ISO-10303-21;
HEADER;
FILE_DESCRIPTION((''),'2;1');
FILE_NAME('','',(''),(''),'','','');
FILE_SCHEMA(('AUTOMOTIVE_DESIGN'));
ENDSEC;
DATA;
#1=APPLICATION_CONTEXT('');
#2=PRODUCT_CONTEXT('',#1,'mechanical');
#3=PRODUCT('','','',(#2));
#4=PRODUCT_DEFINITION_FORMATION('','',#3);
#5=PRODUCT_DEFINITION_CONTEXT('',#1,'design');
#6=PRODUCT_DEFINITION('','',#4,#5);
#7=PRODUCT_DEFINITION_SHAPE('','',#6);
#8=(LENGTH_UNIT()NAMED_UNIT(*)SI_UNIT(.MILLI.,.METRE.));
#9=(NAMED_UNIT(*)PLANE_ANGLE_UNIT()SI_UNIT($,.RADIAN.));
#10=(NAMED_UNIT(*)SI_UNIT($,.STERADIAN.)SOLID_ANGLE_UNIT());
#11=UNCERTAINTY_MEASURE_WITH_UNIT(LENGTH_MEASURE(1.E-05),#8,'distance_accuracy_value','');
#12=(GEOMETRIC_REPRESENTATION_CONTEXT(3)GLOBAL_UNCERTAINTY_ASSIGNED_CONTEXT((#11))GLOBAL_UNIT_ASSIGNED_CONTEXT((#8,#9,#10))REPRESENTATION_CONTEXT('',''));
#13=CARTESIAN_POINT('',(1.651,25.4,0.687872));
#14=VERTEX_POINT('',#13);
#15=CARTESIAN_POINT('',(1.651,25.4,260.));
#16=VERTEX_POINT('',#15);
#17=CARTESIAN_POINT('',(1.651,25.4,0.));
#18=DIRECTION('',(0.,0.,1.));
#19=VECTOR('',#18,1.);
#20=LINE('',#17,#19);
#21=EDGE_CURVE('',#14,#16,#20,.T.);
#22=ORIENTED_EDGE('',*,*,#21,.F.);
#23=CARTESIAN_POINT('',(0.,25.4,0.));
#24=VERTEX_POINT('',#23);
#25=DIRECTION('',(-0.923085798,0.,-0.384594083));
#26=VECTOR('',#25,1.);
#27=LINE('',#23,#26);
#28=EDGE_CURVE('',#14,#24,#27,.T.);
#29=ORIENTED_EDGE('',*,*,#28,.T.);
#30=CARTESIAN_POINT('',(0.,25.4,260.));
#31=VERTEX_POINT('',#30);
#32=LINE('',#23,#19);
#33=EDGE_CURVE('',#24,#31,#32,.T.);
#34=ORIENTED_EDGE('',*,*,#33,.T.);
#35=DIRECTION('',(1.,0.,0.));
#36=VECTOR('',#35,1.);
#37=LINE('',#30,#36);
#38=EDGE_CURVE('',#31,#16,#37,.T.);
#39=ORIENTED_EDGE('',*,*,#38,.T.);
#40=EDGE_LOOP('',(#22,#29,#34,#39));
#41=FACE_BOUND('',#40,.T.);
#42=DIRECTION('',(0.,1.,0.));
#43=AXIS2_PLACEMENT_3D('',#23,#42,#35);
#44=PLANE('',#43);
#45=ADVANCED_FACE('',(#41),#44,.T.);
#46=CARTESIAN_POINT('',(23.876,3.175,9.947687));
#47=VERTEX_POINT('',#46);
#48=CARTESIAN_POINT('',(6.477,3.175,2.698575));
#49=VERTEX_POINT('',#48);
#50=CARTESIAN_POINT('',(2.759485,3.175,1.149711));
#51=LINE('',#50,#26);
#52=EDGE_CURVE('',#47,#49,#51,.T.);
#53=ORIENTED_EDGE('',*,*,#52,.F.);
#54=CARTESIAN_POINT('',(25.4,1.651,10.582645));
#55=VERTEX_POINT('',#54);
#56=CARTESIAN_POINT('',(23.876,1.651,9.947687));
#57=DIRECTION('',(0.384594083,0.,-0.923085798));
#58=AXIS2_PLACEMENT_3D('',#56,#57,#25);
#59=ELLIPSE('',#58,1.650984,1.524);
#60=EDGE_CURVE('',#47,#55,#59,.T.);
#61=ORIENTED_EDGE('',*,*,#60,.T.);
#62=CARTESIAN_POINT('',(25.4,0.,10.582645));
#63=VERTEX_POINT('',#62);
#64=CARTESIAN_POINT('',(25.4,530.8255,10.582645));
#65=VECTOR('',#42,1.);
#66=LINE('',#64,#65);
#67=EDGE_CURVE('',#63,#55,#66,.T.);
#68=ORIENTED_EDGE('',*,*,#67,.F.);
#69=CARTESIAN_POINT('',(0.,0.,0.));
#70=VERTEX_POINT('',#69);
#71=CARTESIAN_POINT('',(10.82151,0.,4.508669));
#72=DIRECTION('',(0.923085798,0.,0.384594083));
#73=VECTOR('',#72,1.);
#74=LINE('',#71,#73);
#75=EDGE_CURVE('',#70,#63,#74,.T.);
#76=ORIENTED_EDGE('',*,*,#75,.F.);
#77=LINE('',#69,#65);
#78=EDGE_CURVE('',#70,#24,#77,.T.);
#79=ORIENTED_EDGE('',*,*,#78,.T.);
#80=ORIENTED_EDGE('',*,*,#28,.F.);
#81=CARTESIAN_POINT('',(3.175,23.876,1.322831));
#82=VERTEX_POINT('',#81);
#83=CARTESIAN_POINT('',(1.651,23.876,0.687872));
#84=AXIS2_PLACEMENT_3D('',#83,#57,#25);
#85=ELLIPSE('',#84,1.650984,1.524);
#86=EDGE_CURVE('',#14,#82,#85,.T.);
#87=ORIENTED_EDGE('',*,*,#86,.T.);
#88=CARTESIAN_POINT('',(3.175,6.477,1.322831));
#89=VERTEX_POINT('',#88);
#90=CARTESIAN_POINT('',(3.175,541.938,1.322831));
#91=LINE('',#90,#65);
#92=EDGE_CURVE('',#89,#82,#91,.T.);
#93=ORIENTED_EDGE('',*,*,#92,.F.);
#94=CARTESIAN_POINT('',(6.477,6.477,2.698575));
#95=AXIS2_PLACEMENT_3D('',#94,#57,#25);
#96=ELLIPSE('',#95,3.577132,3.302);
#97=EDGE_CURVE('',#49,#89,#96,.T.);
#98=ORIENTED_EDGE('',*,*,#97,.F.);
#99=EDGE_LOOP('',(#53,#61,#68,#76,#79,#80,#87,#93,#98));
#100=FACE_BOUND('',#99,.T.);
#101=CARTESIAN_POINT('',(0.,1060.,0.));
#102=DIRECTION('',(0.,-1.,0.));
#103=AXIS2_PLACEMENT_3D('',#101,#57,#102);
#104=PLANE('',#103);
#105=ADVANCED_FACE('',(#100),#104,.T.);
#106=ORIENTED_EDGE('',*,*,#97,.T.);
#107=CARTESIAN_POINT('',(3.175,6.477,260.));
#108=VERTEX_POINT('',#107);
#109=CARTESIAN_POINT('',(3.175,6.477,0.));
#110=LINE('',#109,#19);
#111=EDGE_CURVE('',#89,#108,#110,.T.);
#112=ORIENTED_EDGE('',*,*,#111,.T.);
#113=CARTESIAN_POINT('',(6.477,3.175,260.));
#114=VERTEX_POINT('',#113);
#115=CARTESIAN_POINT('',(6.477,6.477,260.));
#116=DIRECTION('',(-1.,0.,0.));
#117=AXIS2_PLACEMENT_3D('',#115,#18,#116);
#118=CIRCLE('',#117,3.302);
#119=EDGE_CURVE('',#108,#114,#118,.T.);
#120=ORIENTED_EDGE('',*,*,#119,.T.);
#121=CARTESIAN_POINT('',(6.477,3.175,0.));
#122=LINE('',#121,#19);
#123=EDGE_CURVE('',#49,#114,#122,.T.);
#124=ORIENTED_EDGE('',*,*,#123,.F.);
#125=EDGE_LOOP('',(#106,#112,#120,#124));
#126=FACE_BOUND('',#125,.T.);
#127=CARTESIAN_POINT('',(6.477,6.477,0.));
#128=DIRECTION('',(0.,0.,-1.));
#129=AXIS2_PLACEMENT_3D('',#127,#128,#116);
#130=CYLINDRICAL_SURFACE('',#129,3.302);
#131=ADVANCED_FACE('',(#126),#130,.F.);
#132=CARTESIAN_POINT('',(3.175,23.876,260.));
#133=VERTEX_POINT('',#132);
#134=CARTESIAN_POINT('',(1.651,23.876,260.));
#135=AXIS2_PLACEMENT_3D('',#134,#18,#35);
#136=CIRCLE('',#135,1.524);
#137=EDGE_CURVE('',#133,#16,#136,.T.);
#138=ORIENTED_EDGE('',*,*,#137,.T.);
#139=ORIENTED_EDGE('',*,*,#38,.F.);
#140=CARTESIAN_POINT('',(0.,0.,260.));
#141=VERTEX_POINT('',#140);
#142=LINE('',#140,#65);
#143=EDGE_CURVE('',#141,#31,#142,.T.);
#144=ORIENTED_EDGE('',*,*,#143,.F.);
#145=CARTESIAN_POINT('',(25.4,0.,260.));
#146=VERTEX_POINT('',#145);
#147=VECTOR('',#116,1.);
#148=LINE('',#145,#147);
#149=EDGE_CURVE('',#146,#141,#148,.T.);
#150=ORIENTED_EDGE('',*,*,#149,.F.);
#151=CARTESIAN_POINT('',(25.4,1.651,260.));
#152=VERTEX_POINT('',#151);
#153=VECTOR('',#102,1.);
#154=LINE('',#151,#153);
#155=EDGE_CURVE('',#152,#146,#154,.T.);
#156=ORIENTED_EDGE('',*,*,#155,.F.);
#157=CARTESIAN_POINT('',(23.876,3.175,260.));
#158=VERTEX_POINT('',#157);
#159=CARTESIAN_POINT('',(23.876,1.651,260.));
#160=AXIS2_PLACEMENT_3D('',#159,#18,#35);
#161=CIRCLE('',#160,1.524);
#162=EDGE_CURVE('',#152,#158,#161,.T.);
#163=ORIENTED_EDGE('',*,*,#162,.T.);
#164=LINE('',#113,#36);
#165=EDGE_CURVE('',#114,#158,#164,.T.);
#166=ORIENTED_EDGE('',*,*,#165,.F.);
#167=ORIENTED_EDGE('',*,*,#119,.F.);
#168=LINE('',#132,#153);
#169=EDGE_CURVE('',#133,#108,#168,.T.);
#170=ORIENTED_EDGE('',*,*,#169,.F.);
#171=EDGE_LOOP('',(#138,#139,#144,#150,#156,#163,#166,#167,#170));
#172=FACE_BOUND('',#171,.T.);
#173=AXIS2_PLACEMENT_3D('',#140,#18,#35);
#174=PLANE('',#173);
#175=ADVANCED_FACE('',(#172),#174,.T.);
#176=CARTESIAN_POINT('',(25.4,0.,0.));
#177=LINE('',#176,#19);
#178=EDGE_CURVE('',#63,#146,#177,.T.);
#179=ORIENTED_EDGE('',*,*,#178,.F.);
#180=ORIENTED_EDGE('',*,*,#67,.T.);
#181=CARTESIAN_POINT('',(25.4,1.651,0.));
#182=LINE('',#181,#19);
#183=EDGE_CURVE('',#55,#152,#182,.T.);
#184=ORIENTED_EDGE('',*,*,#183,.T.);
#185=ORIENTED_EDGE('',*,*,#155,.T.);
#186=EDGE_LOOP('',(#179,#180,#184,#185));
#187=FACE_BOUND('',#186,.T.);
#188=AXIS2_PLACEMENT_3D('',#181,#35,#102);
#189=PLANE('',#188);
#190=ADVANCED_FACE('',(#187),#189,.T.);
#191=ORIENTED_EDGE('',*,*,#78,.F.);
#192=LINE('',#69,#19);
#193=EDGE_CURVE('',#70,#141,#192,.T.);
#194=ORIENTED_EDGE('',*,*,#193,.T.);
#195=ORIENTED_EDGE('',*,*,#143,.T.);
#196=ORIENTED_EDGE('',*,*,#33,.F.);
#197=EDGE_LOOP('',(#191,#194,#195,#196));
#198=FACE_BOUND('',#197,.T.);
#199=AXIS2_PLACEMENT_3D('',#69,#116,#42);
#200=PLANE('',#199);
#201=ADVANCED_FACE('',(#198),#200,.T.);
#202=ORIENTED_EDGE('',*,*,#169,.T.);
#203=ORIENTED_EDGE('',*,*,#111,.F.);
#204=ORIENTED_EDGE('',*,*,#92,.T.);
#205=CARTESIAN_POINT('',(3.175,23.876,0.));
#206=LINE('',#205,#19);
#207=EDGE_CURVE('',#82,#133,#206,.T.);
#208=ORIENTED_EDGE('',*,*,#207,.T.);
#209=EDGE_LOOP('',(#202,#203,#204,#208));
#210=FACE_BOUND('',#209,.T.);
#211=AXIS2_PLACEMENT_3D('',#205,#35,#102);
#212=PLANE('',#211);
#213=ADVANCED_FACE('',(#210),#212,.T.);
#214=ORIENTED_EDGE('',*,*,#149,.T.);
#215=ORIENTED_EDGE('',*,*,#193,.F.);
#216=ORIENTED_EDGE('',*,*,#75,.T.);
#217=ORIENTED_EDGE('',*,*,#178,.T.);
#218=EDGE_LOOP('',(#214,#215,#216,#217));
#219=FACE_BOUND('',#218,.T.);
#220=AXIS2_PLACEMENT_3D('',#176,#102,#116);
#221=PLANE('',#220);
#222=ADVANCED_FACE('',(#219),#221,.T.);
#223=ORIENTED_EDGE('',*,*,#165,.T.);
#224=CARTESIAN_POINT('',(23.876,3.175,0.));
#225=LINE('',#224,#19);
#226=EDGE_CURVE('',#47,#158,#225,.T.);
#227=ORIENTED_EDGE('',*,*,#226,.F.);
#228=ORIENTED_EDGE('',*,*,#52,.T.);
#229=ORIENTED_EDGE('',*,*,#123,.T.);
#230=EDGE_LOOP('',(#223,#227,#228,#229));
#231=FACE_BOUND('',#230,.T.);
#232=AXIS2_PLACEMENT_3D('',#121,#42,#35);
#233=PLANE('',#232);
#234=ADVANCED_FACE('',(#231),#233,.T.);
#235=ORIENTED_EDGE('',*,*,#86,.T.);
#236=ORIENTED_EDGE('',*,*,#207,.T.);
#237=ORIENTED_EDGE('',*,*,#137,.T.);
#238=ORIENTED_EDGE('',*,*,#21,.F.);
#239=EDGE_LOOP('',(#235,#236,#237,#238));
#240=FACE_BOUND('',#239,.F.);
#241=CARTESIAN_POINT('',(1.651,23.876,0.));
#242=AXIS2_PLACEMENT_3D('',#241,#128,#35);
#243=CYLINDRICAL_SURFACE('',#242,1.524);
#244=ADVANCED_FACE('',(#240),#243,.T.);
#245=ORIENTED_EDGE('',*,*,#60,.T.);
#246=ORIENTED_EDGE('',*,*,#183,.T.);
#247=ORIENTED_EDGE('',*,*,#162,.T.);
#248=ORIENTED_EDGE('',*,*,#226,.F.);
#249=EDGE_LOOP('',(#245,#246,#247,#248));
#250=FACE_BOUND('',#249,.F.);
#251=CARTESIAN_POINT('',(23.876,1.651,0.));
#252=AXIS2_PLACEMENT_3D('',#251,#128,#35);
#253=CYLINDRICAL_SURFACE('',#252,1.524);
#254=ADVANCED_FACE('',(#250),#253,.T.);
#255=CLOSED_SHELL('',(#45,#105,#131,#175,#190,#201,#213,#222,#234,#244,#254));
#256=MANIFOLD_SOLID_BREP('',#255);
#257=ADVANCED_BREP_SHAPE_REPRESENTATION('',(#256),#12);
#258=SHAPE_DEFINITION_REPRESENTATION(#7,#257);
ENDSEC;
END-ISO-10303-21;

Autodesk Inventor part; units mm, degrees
ref_plane "Start Plane" through (0, 0, 0) normal (0, 0, 1) x (1, 0, 0)
ref_plane "End Plane" through (0, 0, 260) normal (0, 0, 1) x (1, 0, 0)
sketch "Sketch" plane through (0, 0, 0) normal (0, 0, 1) x (1, 0, 0)
  line L0 (25.4, 0) -> (0, 0)
  line L1 (0, 0) -> (0, 25.4)
  line L2 (0, 25.4) -> (1.651, 25.4)
  line L3 (3.175, 23.876) -> (3.175, 6.477)
  line L4 (6.477, 3.175) -> (23.876, 3.175)
  line L5 (25.4, 1.651) -> (25.4, 0)
  line L6 (0, -11.0414) -> (0, 31.5385) construction
  line L7 (-11.0414, 0) -> (31.5385, 0) construction
  arc A0 (3.175, 6.477) -> (6.477, 3.175) centre (6.477, 6.477) ccw
  arc A1 (3.175, 23.876) -> (1.651, 25.4) centre (1.651, 23.876) ccw
  arc A2 (25.4, 1.651) -> (23.876, 3.175) centre (23.876, 1.651) ccw
  line L8 (0, 40.0545) -> (0, -19.5574) construction
  line L9 (-19.5574, 0) -> (40.0545, 0) construction
  point P0 (3.175, 25.4)
  point P1 (3.175, 3.175)
  point P2 (25.4, 3.175)
  dimension "d0" = 25.4
  dimension "d1" = 25.4
  dimension "d2" = 3.175
  dimension "d3" = 3.175
  dimension "d10" = 0
  dimension "d11" = 0
  dimension "d14" = 3.302
  dimension "d15" = 1.524
extrude "Body" add sketch "Sketch" along normal up to surface (260 mm away) from surface at 0
sketch "Sketch3" plane through (0, 0, 0) normal (0, 0, 1) x (1, 0, 0)
  line L0 (0, 0) -> (10, 0)
ref_plane "Work Plane3" through (0, 0, 0) normal (0, -1, 0) x (1, 0, 0)
ref_plane "Work Plane6" through (0, 1060, 0) normal (0.3846, 0, -0.9231) x (-0.9231, 0, -0.3846)
split "Split3" plane through (0, 1060, 0) removes the side toward (0.3846, 0, -0.9231)
sketch "Sketch4" plane through (0, 0, 0) normal (0, -1, 0) x (1, 0, 0)
  line L0 (-2, 0) -> (12, 0) projected
  line L1 (-2, 260) -> (12, 260) projected
  dimension "d17" = 260
equation "\"d0\" = G_H"
equation "\"d1\" = G_H"
equation "\"d2\" = G_T"
equation "\"d3\" = G_T"
equation "\"d14\" = G_IR"
equation "\"d15\" = G_ER"
equation "\"d4\" = G_L"
equation "\"G_H\" = 25.4"
equation "\"G_T\" = 3.175"
equation "\"G_ER\" = 1.524"
equation "\"G_IR\" = 3.302"
equation "\"G_L\" = d17"
equation "\"ex\" = 0"
equation "\"G_OFFSET_START\" = 0"
equation "\"G_OFFSET_END\" = 0"
equation "\"d13\" = G_OFFSET_END + B_L"
equation "\"B_L\" = 260"
properties part number "AISC - L 1 x 1 x 1/8 - 10.236" material "Steel, Mild"
